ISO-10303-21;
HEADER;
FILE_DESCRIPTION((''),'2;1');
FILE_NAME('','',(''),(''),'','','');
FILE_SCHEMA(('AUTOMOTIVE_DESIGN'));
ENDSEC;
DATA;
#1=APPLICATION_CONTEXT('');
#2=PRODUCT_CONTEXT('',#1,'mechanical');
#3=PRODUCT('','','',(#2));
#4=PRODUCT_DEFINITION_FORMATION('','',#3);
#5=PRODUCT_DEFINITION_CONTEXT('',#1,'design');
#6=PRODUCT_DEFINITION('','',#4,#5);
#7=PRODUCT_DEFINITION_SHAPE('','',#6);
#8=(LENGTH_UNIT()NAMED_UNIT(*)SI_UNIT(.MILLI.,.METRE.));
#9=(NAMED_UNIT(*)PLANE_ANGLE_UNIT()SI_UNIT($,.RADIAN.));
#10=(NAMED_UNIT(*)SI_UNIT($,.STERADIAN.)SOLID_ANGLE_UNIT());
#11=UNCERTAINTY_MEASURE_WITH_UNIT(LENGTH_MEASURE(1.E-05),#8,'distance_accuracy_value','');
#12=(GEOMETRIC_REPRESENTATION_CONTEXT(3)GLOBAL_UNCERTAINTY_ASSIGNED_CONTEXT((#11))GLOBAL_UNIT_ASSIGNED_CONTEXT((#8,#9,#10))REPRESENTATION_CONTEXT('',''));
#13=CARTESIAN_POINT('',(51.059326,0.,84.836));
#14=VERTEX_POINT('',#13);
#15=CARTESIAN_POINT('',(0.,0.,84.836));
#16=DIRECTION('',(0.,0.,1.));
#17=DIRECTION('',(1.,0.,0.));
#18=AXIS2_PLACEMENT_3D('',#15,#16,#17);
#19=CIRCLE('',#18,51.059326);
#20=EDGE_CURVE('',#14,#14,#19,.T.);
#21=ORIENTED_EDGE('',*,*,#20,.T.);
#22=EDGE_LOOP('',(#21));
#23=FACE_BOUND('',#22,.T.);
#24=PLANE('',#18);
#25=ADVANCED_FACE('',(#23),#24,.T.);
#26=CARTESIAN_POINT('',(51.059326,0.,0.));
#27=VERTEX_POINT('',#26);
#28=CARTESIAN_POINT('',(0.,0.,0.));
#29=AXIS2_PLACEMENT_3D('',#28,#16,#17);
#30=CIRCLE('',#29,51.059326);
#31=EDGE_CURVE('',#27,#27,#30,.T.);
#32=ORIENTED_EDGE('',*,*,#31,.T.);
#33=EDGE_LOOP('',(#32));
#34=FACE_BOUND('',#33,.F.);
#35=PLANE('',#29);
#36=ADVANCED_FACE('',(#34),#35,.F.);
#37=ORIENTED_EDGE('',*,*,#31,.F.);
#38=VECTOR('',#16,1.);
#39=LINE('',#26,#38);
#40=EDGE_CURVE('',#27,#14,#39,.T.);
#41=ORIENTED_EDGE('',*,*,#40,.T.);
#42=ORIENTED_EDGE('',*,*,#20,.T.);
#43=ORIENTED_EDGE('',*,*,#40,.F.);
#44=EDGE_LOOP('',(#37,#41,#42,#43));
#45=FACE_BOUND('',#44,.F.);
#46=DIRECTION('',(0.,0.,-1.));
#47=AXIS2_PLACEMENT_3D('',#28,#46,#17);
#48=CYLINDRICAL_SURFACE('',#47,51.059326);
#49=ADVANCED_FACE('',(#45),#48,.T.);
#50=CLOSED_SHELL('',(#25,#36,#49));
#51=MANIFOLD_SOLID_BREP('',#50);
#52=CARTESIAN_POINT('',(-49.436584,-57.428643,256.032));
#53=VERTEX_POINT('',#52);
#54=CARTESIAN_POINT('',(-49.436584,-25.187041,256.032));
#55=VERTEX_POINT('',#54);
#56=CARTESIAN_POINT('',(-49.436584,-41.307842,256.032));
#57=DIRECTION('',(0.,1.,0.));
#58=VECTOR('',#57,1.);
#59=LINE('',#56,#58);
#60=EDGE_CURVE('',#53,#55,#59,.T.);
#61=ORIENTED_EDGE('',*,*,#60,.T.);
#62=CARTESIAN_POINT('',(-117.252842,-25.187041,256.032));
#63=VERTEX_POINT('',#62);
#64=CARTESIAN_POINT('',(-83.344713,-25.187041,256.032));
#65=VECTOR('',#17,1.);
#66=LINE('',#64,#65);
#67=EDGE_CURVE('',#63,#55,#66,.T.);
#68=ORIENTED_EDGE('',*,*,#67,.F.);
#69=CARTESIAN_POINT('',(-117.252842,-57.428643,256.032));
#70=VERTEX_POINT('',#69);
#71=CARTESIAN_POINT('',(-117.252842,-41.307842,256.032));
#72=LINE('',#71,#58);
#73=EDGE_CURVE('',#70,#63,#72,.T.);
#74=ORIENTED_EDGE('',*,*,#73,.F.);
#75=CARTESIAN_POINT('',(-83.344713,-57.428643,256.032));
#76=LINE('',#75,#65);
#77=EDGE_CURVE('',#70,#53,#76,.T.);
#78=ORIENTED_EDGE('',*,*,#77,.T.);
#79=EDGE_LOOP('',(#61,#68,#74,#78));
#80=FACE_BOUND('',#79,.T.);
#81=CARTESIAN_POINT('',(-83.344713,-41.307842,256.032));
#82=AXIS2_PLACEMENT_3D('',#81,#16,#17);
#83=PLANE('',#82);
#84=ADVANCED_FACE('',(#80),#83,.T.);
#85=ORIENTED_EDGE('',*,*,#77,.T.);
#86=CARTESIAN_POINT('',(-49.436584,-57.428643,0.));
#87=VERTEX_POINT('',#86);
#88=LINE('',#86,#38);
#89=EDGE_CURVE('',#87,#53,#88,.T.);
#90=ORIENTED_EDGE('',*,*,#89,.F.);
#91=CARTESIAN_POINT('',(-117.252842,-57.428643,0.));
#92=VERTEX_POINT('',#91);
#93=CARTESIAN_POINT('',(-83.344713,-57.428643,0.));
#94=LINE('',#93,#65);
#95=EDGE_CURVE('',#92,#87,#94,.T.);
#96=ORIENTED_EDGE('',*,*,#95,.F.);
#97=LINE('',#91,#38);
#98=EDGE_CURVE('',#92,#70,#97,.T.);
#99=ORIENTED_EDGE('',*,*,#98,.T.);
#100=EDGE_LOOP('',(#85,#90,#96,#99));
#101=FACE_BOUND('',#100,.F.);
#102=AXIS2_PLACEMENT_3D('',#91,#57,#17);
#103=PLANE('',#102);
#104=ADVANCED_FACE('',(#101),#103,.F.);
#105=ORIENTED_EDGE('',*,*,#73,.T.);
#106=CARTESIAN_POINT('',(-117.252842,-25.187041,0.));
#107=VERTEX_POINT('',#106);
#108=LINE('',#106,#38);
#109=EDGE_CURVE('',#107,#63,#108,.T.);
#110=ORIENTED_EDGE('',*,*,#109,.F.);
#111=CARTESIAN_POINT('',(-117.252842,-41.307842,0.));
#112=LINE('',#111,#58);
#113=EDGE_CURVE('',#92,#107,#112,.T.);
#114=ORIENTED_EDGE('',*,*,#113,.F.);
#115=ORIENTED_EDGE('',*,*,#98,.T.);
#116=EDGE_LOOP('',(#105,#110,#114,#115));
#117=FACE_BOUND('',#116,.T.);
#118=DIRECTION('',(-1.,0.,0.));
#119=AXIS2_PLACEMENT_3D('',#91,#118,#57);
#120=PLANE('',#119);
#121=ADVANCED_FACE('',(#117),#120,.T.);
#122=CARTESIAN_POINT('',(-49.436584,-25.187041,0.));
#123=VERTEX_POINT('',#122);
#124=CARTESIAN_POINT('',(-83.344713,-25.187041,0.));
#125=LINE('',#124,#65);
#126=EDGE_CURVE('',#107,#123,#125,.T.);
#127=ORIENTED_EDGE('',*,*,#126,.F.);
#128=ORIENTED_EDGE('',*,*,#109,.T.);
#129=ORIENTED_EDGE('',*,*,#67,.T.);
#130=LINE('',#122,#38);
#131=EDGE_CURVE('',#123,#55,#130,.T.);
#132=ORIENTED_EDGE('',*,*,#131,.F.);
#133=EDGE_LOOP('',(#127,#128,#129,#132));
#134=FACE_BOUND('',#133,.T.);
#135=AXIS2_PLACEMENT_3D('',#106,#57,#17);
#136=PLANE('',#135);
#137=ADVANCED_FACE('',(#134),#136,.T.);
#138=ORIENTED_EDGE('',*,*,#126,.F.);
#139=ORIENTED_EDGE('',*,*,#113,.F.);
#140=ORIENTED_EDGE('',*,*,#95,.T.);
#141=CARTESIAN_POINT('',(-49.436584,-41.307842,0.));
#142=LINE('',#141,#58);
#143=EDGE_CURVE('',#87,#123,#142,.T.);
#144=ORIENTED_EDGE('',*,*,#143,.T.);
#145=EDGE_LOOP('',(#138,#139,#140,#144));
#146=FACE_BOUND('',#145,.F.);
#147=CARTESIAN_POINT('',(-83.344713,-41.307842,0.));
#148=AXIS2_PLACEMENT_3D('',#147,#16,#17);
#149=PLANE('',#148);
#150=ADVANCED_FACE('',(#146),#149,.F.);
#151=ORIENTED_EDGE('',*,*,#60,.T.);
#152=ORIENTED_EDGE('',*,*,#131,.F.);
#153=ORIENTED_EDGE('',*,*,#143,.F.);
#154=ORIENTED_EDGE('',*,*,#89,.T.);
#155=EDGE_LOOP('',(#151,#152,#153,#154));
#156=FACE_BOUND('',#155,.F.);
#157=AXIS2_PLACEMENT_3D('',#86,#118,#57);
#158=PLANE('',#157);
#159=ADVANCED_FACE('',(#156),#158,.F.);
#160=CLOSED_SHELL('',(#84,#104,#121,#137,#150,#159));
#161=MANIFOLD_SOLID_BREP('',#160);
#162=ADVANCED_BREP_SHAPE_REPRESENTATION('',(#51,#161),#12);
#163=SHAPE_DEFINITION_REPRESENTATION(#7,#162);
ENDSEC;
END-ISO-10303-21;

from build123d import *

# Parameters (mm, degrees)
F0_R     = 51.059326
F1_DEPTH = 84.836
F2_W     = 67.816258
F2_H     = 32.241601
F3_DEPTH = 256.032


with BuildPart() as f1:
    # F0 (on Top) → F1 (new body)
    with BuildSketch(Plane.XY):
        Circle(F0_R)
    extrude(amount=F1_DEPTH)


with BuildPart() as f3:
    # F2 (on Top) → F3 (new body)
    with BuildSketch(Plane.XY):
        with Locations((-83.344713, -41.307842)):
            Rectangle(F2_W, F2_H)
    extrude(amount=F3_DEPTH)


solid = Compound([f1.part, f3.part])
